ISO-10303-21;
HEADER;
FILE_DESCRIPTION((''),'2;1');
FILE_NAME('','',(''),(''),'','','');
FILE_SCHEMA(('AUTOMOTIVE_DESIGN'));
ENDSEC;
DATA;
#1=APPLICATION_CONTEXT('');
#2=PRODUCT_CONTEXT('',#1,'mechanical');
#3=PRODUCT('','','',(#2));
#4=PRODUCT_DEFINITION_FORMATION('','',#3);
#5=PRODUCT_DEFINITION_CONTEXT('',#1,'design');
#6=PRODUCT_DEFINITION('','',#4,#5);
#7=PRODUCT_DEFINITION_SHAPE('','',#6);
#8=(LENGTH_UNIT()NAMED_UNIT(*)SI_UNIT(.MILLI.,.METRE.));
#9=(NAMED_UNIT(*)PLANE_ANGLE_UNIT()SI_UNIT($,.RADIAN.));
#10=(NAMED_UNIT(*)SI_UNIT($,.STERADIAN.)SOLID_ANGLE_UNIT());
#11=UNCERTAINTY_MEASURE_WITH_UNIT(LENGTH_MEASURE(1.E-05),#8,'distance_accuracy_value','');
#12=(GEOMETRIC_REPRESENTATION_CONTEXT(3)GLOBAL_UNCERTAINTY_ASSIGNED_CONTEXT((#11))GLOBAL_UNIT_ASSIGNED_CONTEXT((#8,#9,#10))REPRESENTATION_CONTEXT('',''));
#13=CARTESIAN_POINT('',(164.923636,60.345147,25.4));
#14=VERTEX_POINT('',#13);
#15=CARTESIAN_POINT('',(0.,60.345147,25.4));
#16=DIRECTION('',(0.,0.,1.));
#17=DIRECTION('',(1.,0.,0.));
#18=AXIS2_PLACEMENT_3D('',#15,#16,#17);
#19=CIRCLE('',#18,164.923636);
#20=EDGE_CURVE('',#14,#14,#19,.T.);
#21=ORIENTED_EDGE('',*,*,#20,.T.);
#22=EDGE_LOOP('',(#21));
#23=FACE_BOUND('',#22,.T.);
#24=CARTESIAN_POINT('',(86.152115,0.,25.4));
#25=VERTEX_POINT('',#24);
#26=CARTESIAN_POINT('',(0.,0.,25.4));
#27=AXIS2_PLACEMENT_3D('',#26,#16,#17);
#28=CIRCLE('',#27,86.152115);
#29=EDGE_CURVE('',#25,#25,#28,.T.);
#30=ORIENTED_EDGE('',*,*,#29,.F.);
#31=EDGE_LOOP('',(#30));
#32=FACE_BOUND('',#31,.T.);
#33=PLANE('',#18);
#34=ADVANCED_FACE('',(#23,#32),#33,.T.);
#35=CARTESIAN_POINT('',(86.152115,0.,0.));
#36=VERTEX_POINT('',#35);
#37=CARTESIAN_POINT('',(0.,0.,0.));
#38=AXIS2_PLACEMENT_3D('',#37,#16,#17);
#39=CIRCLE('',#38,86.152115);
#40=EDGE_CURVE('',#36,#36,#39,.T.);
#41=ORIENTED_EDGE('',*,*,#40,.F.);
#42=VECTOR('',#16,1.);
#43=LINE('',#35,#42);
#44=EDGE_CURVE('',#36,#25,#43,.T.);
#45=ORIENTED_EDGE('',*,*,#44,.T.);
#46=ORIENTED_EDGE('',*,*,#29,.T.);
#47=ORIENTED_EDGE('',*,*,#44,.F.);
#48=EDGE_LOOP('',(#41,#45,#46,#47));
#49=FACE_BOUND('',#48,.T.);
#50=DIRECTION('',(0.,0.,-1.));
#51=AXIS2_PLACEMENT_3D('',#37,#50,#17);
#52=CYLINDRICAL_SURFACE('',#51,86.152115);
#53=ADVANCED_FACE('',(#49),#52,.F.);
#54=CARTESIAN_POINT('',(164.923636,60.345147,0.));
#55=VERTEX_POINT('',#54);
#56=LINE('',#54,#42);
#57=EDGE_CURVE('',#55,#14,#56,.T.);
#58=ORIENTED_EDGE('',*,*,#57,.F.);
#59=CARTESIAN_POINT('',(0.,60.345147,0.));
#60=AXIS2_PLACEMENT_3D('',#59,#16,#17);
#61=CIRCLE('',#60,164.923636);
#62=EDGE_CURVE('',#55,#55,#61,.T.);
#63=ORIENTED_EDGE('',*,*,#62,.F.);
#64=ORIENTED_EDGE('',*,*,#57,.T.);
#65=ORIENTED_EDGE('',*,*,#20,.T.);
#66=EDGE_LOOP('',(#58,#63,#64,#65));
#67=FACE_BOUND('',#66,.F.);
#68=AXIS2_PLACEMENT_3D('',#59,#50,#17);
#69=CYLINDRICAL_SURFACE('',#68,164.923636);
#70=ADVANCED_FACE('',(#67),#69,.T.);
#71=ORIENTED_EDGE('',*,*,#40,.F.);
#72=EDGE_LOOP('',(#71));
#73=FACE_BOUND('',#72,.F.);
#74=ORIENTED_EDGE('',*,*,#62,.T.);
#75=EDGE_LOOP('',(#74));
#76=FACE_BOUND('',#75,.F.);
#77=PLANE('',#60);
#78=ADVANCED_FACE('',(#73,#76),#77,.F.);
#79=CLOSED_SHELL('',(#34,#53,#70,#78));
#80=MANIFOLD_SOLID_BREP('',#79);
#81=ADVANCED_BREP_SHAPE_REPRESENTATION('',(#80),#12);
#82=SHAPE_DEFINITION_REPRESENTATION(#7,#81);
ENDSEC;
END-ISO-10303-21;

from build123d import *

# Parameters (mm, degrees)
F0_R     = 164.923636
F0_R_2   = 86.152115
F1_DEPTH = 25.4


with BuildPart() as f1:
    # F0 (on Top) → F1 (new body)
    with BuildSketch(Plane.XY):
        with Locations((0, 60.345147)):
            Circle(F0_R)
        Circle(F0_R_2, mode=Mode.SUBTRACT)
    extrude(amount=F1_DEPTH)


solid = f1.part
